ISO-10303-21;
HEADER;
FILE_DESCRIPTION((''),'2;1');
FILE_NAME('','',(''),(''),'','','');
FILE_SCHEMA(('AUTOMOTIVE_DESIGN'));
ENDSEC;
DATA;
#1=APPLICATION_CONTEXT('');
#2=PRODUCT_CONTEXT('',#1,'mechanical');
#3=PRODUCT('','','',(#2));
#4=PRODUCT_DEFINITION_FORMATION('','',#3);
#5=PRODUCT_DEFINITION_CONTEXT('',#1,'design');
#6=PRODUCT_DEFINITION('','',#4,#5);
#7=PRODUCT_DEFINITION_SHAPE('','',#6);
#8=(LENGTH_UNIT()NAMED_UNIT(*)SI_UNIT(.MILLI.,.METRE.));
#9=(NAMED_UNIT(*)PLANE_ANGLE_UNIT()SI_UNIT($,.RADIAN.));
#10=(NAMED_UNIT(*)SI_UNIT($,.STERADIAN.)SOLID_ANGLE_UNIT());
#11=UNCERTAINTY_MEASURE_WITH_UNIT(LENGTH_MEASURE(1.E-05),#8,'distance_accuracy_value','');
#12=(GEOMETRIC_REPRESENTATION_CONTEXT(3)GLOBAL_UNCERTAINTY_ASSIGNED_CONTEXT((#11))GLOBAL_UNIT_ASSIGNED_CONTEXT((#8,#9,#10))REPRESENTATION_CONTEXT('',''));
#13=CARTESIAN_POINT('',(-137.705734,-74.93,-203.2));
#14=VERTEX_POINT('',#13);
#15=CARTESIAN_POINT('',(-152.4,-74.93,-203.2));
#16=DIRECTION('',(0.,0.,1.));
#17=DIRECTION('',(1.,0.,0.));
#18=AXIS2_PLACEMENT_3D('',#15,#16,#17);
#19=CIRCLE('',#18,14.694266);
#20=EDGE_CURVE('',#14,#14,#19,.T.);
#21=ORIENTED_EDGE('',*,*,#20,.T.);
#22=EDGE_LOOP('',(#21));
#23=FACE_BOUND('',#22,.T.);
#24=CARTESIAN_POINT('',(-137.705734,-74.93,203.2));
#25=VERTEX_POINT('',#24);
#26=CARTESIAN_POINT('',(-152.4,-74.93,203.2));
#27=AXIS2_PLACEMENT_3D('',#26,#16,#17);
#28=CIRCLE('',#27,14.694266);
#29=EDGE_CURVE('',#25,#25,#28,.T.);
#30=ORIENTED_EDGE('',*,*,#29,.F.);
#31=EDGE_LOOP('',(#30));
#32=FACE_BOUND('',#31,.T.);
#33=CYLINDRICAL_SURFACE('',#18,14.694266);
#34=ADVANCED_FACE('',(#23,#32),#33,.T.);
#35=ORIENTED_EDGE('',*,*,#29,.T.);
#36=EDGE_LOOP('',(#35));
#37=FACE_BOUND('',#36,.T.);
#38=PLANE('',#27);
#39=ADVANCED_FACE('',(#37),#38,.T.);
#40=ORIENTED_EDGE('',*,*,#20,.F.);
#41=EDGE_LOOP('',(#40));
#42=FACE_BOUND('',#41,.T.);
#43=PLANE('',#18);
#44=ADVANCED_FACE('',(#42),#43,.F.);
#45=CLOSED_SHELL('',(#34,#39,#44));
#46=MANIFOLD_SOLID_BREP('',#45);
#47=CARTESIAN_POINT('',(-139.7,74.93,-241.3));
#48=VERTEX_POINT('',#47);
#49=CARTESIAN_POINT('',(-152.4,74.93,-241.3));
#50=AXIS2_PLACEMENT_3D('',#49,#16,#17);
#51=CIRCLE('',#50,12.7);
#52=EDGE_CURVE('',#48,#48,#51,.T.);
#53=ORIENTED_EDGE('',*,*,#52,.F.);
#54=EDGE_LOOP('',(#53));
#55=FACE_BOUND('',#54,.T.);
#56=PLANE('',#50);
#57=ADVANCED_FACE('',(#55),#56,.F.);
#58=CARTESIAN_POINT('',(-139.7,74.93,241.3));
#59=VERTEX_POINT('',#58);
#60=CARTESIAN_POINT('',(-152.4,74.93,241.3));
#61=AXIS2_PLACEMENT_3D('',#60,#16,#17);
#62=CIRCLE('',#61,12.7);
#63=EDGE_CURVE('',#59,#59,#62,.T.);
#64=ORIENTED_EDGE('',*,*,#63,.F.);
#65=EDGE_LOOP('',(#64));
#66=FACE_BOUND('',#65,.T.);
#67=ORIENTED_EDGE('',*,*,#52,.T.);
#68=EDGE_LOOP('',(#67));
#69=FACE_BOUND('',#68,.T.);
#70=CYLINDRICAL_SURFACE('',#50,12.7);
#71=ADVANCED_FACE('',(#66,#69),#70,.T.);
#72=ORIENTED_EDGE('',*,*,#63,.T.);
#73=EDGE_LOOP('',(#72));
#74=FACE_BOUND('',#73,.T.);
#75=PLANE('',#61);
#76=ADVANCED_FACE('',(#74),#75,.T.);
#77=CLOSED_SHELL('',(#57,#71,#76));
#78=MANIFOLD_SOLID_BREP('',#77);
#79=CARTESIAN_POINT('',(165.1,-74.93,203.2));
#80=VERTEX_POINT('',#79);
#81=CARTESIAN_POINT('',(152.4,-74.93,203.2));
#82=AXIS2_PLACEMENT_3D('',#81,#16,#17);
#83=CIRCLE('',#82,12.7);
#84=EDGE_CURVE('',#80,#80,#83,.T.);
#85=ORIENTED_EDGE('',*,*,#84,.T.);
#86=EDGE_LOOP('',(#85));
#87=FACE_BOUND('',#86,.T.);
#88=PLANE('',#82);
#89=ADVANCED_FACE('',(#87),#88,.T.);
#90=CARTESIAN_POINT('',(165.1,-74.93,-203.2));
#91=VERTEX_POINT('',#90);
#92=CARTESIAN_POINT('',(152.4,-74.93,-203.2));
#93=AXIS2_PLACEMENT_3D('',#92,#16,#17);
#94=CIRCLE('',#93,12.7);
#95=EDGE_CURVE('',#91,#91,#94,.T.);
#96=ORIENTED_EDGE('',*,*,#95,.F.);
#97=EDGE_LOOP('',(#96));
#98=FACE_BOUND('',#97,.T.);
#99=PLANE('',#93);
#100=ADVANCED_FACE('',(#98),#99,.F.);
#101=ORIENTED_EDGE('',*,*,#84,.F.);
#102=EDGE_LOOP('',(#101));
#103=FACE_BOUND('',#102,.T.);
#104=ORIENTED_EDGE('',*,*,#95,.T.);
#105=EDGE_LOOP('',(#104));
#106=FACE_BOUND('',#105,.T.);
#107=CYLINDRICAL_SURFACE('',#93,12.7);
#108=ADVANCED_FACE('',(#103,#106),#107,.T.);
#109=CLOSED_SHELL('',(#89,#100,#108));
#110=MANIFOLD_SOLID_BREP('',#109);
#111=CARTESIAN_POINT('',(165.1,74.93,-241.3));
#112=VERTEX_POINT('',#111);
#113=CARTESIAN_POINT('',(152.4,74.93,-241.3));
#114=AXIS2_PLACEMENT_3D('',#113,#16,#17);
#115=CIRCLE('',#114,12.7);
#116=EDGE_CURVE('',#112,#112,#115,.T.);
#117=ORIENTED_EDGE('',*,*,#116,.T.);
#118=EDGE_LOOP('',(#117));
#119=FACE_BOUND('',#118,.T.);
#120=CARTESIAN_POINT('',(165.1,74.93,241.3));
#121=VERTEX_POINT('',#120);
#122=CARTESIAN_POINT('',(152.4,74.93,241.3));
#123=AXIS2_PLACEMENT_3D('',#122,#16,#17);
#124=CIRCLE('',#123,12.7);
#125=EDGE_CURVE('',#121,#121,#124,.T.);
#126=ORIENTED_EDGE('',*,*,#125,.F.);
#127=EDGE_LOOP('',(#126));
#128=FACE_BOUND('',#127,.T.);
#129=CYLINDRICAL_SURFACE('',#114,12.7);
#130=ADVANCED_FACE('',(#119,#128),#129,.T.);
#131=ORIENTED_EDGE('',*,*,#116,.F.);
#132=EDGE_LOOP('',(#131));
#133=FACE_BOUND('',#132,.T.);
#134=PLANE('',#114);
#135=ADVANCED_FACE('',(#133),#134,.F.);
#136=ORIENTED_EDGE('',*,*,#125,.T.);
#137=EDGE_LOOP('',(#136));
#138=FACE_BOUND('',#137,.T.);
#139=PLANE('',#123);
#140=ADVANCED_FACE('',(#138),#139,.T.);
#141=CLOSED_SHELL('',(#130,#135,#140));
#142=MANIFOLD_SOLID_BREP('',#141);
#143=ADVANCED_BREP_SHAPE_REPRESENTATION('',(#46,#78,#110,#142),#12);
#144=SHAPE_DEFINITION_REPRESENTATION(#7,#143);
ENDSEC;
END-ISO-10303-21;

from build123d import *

# Parameters (mm, degrees)
BOSS_EXTRUDE1_DEPTH        = 203.2
BOSS_EXTRUDE1_DEPTH_BACK   = 203.2
SKETCH1_R                  = 12.7
BOSS_EXTRUDE1_2_DEPTH      = 203.2
BOSS_EXTRUDE1_2_DEPTH_BACK = 203.2
SKETCH1_R_2                = 14.694266488
BOSS_EXTRUDE2_DEPTH        = 241.3
BOSS_EXTRUDE2_DEPTH_BACK   = 241.3
SKETCH1_3_R                = 12.7
BOSS_EXTRUDE2_2_DEPTH      = 241.3
BOSS_EXTRUDE2_2_DEPTH_BACK = 241.3


with BuildPart() as part:
    # Sketch1 → Boss-Extrude1 (new, two sides: drawn at the far end of the back side and taken through both)
    with BuildSketch(Plane.XY.offset(-BOSS_EXTRUDE1_DEPTH_BACK)):
        with Locations((152.4, -74.93)):
            Circle(SKETCH1_R)
    extrude(amount=BOSS_EXTRUDE1_DEPTH + BOSS_EXTRUDE1_DEPTH_BACK)


with BuildPart() as body_2:
    # Sketch1 → Boss-Extrude1 2 (new, two sides: drawn at the far end of the back side and taken through both)
    with BuildSketch(Plane.XY.offset(-BOSS_EXTRUDE1_2_DEPTH_BACK)):
        with Locations((-152.4, -74.93)):
            Circle(SKETCH1_R_2)
    extrude(amount=BOSS_EXTRUDE1_2_DEPTH + BOSS_EXTRUDE1_2_DEPTH_BACK)


with BuildPart() as body_3:
    # Sketch1<3> → Boss-Extrude2 (new, two sides: drawn at the far end of the back side and taken through both)
    with BuildSketch(Plane.XY.offset(-BOSS_EXTRUDE2_DEPTH_BACK)):
        with Locations((-152.4, 74.93)):
            Circle(SKETCH1_3_R)
    extrude(amount=BOSS_EXTRUDE2_DEPTH + BOSS_EXTRUDE2_DEPTH_BACK)


with BuildPart() as body_4:
    # Sketch1<3> → Boss-Extrude2 2 (new, two sides: drawn at the far end of the back side and taken through both)
    with BuildSketch(Plane.XY.offset(-BOSS_EXTRUDE2_2_DEPTH_BACK)):
        with Locations((152.4, 74.93)):
            Circle(SKETCH1_3_R)
    extrude(amount=BOSS_EXTRUDE2_2_DEPTH + BOSS_EXTRUDE2_2_DEPTH_BACK)


solid = Compound([part.part, body_2.part, body_3.part, body_4.part])
